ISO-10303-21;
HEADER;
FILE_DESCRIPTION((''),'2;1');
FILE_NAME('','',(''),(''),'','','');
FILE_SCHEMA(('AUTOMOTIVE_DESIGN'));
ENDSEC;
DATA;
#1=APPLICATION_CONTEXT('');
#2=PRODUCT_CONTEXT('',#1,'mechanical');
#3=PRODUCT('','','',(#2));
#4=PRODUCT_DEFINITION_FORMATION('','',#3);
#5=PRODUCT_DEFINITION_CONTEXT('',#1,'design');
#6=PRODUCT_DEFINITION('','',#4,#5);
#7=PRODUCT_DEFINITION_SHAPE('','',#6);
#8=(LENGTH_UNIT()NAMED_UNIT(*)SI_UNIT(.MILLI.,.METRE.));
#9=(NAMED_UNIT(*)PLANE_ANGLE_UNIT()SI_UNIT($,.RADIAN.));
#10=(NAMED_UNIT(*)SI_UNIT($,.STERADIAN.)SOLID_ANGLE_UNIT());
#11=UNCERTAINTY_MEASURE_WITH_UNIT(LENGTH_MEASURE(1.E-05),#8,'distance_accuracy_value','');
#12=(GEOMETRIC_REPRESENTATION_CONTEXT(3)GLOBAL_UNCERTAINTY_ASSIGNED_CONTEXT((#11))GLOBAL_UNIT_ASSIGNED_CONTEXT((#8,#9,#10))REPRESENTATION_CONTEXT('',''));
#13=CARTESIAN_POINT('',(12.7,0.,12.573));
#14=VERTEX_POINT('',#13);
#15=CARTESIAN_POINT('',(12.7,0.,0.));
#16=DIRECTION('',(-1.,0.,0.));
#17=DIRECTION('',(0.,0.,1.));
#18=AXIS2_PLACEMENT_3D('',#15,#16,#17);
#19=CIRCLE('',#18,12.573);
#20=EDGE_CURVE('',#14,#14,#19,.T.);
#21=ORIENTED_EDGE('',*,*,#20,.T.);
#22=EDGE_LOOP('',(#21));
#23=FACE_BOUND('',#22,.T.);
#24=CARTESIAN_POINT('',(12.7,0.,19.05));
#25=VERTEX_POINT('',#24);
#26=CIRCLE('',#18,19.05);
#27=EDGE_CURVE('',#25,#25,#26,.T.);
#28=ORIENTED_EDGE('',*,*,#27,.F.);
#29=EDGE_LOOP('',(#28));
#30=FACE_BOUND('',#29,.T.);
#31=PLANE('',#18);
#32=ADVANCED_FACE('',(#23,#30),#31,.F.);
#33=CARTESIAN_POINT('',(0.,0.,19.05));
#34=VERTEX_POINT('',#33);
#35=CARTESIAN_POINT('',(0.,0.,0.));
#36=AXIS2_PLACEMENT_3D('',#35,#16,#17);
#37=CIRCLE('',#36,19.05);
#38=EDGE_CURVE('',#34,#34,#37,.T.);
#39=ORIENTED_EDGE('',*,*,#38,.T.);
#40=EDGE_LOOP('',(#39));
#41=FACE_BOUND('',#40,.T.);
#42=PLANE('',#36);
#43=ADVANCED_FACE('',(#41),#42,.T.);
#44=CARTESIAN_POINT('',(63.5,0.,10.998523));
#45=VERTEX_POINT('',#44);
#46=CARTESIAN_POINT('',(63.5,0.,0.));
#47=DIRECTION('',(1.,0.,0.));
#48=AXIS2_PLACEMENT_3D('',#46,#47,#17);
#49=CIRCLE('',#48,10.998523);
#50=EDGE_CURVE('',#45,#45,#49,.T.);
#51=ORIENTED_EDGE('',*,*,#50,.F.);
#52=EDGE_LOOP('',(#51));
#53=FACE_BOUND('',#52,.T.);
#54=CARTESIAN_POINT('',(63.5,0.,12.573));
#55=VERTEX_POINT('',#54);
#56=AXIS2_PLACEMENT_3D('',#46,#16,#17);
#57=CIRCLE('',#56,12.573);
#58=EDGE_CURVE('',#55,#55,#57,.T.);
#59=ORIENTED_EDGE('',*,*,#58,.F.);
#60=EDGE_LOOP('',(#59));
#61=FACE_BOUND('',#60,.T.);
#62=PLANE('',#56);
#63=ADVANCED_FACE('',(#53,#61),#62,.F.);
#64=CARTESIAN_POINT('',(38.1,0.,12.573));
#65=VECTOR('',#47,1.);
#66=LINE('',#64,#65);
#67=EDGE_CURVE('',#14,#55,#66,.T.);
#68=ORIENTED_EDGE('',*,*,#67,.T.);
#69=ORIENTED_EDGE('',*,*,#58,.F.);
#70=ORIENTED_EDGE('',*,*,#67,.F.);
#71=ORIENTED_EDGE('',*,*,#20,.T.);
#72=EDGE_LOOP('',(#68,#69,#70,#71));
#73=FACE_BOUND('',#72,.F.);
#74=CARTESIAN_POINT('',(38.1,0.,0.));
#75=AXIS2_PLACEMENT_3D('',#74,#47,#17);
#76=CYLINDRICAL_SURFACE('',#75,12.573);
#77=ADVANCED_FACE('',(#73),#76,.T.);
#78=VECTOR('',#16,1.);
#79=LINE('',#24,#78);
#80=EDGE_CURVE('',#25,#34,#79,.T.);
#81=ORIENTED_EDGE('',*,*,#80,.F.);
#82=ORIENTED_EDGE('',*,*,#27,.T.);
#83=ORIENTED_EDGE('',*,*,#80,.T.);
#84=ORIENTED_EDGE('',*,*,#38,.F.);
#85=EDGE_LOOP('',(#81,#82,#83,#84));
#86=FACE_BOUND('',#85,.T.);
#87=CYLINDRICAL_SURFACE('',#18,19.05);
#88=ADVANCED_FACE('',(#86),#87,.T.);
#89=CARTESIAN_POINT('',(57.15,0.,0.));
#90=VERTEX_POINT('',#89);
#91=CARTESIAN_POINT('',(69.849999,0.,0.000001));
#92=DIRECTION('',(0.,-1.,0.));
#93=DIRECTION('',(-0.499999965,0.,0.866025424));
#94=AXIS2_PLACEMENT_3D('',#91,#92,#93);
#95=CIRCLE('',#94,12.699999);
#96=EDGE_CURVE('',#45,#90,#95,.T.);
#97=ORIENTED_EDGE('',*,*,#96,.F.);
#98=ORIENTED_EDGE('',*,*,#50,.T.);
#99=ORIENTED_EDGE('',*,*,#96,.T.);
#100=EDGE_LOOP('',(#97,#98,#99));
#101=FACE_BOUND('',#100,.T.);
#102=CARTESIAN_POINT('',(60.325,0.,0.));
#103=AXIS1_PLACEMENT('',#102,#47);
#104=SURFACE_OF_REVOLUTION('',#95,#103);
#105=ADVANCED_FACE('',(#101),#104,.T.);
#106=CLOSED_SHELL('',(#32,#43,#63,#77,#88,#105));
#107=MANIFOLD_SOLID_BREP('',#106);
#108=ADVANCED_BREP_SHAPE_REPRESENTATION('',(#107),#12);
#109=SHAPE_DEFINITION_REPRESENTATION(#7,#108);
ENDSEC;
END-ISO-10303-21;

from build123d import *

# Parameters (mm, degrees)
F0_W = 50.8
F0_H = 12.573


with BuildPart() as f1:
    # F0 (on Front) → F1 (revolve)
    with BuildSketch(Plane.XZ):
        Polygon((0, 19.05), (0, 0), (12.7, 0), (12.7, 12.573), (12.7, 19.05), align=None)
        with Locations((38.1, 6.2865)):
            Rectangle(F0_W, F0_H)
    revolve(axis=Axis((6.35, 0, 0), (-1, 0, 0)))

    # F2 (on Front) → F3 (revolve, cut)
    with BuildSketch(Plane.XZ):
        with BuildLine():
            Line((63.5, 0), (63.5, 10.998523))
            ThreePointArc((63.5, 10.998523), (58.851477, 6.35), (57.15, 0))
            Line((57.15, 0), (63.5, 0))
        make_face()
    revolve(axis=Axis((60.325, 0, 0), (1, 0, 0)), mode=Mode.SUBTRACT)


solid = f1.part
